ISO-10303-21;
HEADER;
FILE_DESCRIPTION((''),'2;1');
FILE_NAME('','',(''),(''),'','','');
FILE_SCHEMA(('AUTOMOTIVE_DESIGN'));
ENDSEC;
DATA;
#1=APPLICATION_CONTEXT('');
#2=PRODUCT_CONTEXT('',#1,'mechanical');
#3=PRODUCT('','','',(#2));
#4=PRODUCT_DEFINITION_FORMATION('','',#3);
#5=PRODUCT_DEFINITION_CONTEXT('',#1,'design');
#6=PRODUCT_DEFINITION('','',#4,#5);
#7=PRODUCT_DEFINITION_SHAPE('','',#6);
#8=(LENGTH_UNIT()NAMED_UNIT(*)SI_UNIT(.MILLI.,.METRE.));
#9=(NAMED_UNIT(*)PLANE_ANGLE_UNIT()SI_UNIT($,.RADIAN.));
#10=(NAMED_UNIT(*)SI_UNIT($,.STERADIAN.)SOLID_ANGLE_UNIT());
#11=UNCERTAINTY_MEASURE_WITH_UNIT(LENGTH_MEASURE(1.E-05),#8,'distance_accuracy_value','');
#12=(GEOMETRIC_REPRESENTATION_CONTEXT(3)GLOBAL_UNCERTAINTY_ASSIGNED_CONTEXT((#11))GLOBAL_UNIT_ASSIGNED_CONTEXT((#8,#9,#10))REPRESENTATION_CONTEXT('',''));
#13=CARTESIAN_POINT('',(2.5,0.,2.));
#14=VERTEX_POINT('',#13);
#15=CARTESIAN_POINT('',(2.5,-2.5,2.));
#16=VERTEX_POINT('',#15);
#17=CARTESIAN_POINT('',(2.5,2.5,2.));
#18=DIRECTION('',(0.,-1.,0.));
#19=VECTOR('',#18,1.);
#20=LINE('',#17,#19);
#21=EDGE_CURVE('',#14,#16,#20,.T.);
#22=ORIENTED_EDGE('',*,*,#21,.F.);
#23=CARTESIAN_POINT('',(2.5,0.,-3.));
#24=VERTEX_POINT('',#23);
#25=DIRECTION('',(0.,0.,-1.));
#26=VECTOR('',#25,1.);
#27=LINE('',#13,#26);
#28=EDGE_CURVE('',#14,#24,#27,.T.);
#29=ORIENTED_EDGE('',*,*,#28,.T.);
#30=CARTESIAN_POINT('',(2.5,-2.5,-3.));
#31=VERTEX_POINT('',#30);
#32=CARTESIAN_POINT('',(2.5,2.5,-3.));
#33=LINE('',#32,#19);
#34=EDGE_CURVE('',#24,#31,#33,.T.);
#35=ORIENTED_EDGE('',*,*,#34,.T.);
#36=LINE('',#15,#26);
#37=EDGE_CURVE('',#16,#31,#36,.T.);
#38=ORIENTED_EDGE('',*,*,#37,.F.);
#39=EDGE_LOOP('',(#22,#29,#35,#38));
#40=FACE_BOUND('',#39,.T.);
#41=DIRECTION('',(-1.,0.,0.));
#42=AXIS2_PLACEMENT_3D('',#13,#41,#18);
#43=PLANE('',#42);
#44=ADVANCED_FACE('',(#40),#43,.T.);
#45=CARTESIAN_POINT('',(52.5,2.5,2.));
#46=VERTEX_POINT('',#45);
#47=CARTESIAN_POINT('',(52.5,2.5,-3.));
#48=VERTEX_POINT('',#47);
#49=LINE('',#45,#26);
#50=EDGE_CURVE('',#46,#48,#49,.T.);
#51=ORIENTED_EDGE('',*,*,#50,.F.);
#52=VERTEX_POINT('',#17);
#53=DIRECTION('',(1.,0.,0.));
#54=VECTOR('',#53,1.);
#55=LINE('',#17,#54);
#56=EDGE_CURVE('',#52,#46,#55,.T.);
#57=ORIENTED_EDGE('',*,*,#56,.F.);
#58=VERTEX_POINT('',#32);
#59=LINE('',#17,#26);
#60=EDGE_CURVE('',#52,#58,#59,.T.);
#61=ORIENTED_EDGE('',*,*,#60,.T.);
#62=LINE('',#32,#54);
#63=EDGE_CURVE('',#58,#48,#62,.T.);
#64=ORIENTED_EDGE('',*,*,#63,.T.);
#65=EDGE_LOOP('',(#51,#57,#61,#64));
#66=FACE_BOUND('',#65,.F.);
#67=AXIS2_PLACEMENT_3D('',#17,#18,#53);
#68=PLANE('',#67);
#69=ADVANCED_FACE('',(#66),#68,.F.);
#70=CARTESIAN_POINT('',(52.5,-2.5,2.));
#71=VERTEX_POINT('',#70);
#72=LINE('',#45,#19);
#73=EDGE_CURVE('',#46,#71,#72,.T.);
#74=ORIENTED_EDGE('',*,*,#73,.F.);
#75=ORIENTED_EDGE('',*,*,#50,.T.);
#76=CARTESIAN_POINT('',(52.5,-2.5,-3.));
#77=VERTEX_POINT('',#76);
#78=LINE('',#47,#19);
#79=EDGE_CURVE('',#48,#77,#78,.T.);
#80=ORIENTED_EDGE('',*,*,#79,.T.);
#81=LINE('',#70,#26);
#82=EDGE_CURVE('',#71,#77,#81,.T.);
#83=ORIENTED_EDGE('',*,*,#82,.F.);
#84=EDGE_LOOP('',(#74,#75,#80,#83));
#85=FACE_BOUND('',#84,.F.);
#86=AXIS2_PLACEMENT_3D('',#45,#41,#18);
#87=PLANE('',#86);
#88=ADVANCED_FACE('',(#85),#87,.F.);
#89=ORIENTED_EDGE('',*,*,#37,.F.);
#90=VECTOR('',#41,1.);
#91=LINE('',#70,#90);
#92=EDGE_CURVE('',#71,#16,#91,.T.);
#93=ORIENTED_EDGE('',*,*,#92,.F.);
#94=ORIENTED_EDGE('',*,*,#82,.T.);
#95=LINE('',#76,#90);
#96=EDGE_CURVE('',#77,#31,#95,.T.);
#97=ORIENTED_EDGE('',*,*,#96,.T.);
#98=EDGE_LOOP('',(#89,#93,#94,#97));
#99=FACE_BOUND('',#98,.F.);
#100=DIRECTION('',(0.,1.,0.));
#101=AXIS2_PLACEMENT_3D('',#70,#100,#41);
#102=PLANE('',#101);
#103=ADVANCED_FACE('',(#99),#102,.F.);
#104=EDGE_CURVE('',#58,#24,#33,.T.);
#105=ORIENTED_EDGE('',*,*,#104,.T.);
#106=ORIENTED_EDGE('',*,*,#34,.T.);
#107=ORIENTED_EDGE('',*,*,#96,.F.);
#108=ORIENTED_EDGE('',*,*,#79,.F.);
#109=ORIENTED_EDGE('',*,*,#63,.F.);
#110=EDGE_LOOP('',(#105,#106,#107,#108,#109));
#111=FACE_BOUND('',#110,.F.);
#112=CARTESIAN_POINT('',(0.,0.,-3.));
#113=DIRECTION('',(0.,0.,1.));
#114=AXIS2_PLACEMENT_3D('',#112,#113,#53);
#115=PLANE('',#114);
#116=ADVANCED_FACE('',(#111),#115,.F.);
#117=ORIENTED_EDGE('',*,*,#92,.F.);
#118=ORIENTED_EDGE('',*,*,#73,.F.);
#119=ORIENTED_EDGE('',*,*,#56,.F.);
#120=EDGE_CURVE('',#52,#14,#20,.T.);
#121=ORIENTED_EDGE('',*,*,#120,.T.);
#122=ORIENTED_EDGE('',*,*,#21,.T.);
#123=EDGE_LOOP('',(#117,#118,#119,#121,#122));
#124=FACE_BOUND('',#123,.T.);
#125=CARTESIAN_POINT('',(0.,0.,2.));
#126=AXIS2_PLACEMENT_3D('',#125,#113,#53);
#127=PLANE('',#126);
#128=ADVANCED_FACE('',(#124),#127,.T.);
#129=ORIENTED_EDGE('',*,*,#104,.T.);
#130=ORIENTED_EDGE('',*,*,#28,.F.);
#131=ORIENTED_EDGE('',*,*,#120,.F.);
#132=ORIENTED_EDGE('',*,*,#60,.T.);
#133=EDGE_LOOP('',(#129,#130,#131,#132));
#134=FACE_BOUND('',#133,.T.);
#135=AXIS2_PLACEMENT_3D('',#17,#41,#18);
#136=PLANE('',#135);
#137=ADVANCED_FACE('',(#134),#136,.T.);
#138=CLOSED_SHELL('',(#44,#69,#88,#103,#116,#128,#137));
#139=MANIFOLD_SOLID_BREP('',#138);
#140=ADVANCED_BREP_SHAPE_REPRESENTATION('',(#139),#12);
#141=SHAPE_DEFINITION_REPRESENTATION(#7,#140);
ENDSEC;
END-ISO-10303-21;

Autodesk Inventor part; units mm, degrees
ref_plane "YZ Plane" through (0, 0, 0) normal (1, 0, 0) x (0, 1, 0)
sketch "Sketch1" plane through (0, 0, 0) normal (0, 0, 1) x (1, 0, 0)
  line L0 (2.5, 2.5) -> (52.5, 2.5)
  line L1 (52.5, 2.5) -> (52.5, -2.5)
  line L2 (52.5, -2.5) -> (2.5, -2.5)
  arc A0 (2.5, 2.5) -> (2.5, -2.5) centre (2.5, 0) ccw construction
  line L3 (0, 7) -> (0, -7) projected
  line L4 (-6, 0) -> (36, 0) projected
  line L5 (2.5, 2.5) -> (2.5, -2.5)
  dimension "d0" = 2.5
  dimension "d13" = 50
ref_plane "Work Plane1" through (0, 0, -3) normal (0, 0, 1) x (1, 0, 0)
ref_plane "Work Plane2" through (0, 0, 2) normal (0, 0, 1) x (1, 0, 0)
extrude "Body1" add sketch "Sketch1" against normal up to surface (5 mm away) from surface at 2
equation "\"d0\" = 0.5 * PB"
equation "\"d13\" = NLG"
equation "\"d1\" = -PNT"
equation "\"d2\" = PH - PNT"
equation "\"NLG\" = 50"
equation "\"PB\" = 5"
equation "\"PNT\" = 3"
equation "\"PH\" = 5"
equation "\"PHH\" = 0"
equation "\"RR\" = 0.001"
equation "\"WDMIN\" = 12"
equation "\"WDMAX\" = 17"
equation "\"PLB1\" = 52.5"
equation "\"PLB2\" = 55"
equation "\"PUEB\" = 2.3"
properties part number "DIN 6885 - B 5 x 5 x 50" material "Steel, Mild"
